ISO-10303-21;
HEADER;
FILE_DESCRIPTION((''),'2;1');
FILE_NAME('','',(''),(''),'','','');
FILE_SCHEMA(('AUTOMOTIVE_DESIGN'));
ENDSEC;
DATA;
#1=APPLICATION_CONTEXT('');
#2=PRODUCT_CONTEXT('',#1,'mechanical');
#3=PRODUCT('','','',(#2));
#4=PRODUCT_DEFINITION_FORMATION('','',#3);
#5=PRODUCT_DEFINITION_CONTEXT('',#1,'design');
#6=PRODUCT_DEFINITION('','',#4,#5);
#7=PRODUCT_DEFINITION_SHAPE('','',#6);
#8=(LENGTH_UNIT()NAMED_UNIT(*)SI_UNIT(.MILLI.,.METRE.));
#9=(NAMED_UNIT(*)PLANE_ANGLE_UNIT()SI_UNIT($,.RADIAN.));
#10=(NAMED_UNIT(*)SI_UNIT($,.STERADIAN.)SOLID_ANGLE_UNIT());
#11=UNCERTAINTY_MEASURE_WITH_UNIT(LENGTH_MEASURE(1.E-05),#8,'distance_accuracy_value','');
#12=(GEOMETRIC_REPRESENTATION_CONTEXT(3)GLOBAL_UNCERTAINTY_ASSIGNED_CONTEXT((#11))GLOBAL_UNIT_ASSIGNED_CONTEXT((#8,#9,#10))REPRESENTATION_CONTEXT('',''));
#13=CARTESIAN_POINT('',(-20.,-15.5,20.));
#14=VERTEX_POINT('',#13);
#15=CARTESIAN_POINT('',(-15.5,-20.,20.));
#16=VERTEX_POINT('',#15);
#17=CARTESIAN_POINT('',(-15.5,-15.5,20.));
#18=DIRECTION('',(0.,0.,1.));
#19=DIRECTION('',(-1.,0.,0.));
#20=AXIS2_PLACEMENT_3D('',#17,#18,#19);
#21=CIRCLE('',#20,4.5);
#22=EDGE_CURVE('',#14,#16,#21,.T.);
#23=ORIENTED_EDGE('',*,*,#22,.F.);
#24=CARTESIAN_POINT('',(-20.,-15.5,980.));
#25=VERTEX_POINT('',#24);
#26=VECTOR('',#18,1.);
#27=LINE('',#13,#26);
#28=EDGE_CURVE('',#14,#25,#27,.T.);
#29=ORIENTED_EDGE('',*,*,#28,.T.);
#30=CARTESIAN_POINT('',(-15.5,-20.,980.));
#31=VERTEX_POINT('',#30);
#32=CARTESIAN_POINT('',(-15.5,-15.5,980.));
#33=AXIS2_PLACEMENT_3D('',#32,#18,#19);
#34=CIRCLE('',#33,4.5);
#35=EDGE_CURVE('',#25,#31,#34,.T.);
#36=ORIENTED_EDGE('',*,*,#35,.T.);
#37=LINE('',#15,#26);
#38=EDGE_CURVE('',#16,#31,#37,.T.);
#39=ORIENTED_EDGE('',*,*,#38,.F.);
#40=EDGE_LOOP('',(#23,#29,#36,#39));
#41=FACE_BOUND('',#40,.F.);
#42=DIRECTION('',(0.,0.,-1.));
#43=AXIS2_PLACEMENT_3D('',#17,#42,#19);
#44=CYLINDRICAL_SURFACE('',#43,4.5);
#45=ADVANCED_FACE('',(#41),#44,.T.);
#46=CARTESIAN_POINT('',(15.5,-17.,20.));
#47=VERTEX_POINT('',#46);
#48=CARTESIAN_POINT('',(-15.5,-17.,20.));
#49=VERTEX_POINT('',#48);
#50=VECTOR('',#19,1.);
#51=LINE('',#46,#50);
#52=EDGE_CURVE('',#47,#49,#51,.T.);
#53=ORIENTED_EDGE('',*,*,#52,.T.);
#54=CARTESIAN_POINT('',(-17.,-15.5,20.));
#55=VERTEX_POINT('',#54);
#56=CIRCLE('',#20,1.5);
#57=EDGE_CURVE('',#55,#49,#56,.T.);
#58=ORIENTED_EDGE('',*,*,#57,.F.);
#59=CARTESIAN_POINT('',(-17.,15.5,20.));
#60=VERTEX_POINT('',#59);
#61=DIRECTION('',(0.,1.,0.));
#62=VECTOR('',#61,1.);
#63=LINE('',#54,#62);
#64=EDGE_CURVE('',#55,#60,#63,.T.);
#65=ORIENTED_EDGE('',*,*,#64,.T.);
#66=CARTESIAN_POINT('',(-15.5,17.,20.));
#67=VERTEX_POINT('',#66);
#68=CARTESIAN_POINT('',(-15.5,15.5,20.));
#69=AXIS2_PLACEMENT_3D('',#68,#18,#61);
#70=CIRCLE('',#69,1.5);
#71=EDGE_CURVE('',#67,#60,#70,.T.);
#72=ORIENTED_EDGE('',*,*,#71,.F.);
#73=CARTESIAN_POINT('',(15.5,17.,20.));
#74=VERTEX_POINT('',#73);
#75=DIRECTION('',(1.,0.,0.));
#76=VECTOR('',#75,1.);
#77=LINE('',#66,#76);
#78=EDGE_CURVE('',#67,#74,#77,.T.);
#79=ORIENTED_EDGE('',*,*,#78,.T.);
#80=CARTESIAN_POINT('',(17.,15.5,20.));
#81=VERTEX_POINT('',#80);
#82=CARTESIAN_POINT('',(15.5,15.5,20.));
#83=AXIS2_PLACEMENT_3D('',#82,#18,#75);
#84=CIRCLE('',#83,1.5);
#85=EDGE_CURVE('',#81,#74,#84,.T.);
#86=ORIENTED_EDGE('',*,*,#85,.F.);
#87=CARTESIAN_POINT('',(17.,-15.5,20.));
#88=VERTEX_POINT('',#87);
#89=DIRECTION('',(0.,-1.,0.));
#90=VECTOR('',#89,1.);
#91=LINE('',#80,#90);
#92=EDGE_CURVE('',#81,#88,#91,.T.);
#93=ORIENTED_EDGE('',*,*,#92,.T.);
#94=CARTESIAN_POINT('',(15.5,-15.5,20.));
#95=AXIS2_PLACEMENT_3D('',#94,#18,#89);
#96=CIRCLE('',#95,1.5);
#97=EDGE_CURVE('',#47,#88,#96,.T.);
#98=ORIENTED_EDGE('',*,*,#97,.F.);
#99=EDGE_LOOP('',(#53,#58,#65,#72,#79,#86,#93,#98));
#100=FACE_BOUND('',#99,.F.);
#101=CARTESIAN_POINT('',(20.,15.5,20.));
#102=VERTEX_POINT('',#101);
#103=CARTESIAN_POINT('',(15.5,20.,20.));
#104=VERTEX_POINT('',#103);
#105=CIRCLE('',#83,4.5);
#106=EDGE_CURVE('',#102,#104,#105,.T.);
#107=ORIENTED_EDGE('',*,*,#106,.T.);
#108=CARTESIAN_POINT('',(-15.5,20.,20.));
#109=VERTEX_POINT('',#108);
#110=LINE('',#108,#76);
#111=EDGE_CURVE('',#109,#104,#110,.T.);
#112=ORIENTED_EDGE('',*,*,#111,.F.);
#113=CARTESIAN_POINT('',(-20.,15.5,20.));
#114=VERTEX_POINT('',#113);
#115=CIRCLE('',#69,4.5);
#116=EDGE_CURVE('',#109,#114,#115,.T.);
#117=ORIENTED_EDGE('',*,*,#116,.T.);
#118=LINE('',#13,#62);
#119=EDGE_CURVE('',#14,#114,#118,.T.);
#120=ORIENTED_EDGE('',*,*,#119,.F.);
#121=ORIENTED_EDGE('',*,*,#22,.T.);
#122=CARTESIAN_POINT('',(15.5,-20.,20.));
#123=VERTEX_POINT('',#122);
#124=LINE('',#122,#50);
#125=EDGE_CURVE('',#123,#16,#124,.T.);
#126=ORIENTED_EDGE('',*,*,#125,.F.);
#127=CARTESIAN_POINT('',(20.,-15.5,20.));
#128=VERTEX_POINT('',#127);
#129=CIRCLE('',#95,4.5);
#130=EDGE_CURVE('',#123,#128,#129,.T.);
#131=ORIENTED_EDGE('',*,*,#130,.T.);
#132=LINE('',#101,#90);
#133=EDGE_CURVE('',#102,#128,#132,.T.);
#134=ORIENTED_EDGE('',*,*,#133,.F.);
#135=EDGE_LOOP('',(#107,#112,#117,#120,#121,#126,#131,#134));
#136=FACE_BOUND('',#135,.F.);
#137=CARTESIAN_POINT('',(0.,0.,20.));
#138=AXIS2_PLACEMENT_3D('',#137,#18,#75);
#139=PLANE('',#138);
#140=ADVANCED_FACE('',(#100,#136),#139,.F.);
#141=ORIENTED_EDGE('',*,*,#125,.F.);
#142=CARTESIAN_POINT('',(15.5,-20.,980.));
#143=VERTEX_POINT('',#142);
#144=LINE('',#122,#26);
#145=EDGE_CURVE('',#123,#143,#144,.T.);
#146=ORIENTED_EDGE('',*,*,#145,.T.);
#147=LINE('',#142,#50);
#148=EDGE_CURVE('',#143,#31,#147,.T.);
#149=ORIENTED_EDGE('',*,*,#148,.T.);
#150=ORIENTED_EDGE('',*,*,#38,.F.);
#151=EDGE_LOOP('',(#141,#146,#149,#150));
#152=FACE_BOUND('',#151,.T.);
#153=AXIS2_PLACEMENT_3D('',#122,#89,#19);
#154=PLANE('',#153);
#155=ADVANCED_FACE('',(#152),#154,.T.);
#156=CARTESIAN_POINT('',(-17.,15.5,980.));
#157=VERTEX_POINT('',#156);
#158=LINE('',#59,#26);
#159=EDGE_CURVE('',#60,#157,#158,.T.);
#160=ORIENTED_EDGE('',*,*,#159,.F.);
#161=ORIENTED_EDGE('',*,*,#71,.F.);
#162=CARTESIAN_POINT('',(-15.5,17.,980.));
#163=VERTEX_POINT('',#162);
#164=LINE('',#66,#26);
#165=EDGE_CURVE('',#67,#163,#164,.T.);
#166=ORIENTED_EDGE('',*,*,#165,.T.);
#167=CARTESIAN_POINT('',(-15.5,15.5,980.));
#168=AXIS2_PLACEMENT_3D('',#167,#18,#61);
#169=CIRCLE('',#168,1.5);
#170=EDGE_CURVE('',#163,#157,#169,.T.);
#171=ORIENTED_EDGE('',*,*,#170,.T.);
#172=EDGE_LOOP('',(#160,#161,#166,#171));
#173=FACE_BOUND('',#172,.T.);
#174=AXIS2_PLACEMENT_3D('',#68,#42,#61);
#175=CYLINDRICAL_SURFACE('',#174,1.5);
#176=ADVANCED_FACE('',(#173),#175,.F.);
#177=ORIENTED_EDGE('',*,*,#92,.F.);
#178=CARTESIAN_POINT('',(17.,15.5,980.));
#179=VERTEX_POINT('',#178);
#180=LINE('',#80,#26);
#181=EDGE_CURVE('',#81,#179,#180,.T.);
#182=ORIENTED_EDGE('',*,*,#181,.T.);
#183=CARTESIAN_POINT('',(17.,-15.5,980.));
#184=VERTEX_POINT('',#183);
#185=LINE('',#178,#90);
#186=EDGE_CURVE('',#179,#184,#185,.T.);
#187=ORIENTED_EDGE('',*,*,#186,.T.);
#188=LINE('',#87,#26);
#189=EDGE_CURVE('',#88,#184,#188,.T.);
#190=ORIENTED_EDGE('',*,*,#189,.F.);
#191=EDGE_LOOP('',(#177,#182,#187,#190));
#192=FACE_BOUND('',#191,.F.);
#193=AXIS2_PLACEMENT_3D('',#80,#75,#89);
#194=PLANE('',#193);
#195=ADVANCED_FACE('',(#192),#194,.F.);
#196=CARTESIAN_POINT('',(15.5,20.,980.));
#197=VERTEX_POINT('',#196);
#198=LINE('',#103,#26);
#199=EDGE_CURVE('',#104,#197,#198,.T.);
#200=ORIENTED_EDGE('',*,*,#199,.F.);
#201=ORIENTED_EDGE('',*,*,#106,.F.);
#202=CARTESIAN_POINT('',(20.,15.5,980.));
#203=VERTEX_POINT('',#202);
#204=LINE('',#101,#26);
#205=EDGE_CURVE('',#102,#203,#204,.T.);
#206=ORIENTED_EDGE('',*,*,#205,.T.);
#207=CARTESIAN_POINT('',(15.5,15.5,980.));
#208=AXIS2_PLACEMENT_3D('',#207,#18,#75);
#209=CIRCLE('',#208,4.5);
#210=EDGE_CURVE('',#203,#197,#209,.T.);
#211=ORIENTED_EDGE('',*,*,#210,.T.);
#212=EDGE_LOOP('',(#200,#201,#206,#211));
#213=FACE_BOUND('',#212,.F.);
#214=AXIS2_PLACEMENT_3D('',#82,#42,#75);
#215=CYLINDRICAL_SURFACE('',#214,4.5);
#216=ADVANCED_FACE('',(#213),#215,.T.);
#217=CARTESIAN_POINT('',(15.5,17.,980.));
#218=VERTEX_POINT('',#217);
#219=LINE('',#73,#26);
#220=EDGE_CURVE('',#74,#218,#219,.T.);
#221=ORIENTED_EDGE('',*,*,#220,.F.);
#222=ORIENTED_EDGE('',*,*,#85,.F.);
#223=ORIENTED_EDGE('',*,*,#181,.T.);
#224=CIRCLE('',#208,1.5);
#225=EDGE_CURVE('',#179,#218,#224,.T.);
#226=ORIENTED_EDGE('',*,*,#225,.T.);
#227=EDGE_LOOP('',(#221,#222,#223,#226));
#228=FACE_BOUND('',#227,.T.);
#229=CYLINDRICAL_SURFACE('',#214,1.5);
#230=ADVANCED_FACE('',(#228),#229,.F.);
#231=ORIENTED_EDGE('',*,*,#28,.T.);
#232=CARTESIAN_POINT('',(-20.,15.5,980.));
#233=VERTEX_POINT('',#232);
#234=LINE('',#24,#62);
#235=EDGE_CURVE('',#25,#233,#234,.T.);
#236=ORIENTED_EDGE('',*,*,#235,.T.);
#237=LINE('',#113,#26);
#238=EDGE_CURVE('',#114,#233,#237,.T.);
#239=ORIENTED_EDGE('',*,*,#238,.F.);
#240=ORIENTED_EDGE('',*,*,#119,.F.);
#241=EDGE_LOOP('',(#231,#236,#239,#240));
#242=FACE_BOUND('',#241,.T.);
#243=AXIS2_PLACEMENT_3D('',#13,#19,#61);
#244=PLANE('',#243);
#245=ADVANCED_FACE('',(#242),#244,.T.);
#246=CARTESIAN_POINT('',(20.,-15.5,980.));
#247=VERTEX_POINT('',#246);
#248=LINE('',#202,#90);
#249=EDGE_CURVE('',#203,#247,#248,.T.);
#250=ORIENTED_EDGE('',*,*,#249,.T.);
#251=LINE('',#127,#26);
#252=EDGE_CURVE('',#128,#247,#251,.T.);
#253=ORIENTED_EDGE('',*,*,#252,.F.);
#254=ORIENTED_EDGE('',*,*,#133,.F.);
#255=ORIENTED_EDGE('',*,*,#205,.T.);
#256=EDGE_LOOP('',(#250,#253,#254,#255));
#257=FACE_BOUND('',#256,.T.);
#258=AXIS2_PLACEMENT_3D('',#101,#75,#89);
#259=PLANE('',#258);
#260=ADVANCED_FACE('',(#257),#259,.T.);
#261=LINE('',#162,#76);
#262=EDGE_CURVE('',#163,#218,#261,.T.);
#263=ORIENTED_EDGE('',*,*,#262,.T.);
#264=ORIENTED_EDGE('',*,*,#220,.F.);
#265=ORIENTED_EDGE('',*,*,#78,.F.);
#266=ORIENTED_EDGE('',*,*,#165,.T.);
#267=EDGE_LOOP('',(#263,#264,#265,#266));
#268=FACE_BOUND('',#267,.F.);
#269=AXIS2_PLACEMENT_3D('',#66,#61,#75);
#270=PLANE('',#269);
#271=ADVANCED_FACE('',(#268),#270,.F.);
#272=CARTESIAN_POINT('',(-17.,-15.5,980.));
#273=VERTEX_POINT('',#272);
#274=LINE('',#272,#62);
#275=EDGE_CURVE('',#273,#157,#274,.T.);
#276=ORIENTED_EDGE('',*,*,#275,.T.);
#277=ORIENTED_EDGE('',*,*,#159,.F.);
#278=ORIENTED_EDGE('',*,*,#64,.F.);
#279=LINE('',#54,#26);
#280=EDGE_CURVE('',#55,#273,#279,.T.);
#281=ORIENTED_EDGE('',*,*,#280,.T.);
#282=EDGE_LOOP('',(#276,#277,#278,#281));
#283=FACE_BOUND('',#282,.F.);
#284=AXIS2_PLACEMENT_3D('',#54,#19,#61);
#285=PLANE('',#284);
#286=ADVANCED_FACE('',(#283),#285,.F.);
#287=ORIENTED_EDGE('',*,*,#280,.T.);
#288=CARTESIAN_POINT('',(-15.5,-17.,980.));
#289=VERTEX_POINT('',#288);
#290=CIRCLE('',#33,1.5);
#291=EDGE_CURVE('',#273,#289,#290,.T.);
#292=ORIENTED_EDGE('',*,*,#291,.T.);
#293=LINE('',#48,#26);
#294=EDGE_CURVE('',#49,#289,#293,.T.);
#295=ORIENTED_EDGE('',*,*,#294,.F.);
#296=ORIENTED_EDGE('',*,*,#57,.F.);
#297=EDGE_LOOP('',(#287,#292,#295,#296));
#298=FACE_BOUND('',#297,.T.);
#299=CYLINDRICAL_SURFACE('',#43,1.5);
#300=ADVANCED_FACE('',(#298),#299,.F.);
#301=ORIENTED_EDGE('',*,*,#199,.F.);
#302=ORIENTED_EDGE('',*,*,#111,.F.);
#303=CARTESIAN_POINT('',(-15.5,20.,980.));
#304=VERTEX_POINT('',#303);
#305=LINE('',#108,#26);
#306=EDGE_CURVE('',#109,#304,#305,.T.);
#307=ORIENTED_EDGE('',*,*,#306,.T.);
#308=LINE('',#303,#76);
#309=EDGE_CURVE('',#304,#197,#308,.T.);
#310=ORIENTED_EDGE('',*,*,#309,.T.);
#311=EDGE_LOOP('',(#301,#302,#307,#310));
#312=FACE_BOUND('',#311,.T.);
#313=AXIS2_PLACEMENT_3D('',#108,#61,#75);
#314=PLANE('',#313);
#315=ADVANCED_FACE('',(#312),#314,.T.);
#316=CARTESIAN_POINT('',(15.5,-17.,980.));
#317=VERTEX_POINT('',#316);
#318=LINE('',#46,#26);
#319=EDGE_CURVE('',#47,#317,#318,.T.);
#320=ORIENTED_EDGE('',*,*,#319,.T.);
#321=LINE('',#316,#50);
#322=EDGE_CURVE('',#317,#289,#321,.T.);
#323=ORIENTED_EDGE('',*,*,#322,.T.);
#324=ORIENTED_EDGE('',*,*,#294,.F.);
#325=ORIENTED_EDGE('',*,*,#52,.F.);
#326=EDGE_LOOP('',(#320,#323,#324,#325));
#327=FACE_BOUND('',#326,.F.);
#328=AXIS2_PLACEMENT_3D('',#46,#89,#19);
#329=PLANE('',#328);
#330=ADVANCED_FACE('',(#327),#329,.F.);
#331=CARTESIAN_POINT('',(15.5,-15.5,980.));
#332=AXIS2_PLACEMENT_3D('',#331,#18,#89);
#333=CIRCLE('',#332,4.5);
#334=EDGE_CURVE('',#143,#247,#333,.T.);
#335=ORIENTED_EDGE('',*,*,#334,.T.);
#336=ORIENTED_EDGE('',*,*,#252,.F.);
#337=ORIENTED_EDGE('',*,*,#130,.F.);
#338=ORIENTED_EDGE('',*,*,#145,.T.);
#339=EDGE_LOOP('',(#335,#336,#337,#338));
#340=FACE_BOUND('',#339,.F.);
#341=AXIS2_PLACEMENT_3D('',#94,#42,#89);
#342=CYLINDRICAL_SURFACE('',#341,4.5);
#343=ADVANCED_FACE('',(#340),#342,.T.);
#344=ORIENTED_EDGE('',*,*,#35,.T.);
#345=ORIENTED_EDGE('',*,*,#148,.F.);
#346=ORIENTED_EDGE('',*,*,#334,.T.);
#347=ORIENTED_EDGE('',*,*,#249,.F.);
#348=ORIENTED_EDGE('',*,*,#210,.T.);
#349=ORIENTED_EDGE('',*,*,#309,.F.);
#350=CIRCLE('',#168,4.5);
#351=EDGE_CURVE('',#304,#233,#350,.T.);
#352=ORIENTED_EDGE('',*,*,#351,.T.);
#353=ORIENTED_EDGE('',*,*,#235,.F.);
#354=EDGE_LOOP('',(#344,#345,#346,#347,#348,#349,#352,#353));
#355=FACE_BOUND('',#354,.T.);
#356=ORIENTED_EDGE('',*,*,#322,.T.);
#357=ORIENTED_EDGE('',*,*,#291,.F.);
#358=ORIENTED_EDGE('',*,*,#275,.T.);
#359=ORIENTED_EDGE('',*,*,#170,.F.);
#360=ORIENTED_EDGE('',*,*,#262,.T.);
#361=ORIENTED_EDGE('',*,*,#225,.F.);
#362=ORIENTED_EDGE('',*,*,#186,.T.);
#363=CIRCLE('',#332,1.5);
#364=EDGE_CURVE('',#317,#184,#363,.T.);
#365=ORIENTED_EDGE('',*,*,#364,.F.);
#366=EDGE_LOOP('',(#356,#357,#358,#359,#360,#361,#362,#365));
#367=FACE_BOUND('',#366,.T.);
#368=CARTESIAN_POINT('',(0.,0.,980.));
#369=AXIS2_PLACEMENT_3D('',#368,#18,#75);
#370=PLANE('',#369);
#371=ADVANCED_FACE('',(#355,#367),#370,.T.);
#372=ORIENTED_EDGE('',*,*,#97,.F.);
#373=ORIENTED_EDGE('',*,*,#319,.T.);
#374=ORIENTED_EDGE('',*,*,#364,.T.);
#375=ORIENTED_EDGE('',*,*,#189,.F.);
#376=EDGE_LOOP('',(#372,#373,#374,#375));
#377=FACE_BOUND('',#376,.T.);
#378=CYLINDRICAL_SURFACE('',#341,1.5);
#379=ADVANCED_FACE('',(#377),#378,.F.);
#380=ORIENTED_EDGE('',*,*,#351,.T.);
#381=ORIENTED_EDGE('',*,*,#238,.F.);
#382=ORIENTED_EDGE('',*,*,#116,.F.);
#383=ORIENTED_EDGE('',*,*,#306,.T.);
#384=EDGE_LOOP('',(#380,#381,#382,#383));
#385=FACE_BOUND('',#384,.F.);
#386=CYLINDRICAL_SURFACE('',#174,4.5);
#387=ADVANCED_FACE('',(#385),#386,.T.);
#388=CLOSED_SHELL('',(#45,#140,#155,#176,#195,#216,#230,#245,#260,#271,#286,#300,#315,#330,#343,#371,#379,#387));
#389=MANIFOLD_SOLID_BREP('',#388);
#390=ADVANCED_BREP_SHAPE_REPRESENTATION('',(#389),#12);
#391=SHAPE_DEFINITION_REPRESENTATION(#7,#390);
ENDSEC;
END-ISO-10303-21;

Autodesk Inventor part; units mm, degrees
ref_plane "Start Plane" through (0, 0, 20) normal (0, 0, 1) x (1, 0, 0)
ref_plane "End Plane" through (0, 0, 980) normal (0, 0, 1) x (1, 0, 0)
sketch "Sketch" plane through (0, 0, 0) normal (0, 0, 1) x (1, 0, 0)
  line L0 (-20, -15.5) -> (-20, 15.5)
  line L1 (-15.5, 20) -> (15.5, 20)
  line L2 (20, 15.5) -> (20, -15.5)
  line L3 (15.5, -20) -> (-15.5, -20)
  arc A0 (-20, -15.5) -> (-15.5, -20) centre (-15.5, -15.5) ccw
  arc A1 (-15.5, 20) -> (-20, 15.5) centre (-15.5, 15.5) ccw
  arc A2 (20, 15.5) -> (15.5, 20) centre (15.5, 15.5) ccw
  arc A3 (15.5, -20) -> (20, -15.5) centre (15.5, -15.5) ccw
  arc A4 (-15.5, 17) -> (-17, 15.5) centre (-15.5, 15.5) ccw
  line L4 (-15.5, 17) -> (15.5, 17)
  arc A5 (17, 15.5) -> (15.5, 17) centre (15.5, 15.5) ccw
  line L5 (17, 15.5) -> (17, -15.5)
  arc A6 (15.5, -17) -> (17, -15.5) centre (15.5, -15.5) ccw
  line L6 (15.5, -17) -> (-15.5, -17)
  arc A7 (-17, -15.5) -> (-15.5, -17) centre (-15.5, -15.5) ccw
  line L7 (-17, -15.5) -> (-17, 15.5)
  line L8 (0, 29.3048) -> (0, -29.3048) construction
  line L9 (-29.3048, 0) -> (29.3048, 0) construction
  dimension "d7" = 4.5
  dimension "d10" = 40
  dimension "d11" = 40
  dimension "d12" = 3
  dimension "d15" = 20
  dimension "d16" = 20
extrude "Body" add sketch "Sketch" along normal up to surface (960 mm away) from surface at 20
sketch "Sketch3" plane through (0, 0, 0) normal (0, 0, 1) x (1, 0, 0)
  line L0 (0, 0) -> (10, 0)
ref_plane "Work Plane3" through (0, 0, 0) normal (0, -1, 0) x (1, 0, 0)
ref_plane "Work Plane4" through (-15.5, 1920, 20) normal (0, 0, -1) x (-1, 0, 0)
split "Split1" plane through (-15.5, 1920, 20) removes the side toward (0, 0, -1)
ref_plane "Work Plane5" through (15.5, 1920, 980) normal (0, 0, 1) x (1, 0, 0)
split "Split2" plane through (15.5, 1920, 980) removes the side toward (0, 0, 1)
sketch "Sketch4" plane through (0, 0, 0) normal (0, -1, 0) x (1, 0, 0)
  line L0 (-2, 20) -> (12, 20) projected
  line L1 (-2, 980) -> (12, 980) projected
  dimension "d18" = 960
equation "\"d7\" = G_IR"
equation "\"d10\" = G_H"
equation "\"d11\" = G_W"
equation "\"d12\" = G_T"
equation "\"d15\" = 0.5 * d10"
equation "\"d16\" = 0.5 * d11"
equation "\"d3\" = G_L"
equation "\"G_W\" = 40"
equation "\"G_H\" = 40"
equation "\"G_T\" = 3"
equation "\"G_IR\" = 4.5"
equation "\"G_L\" = d18"
properties part number "ISO 12633-2 - 40x40x3 - 960" material "Steel, Mild"
